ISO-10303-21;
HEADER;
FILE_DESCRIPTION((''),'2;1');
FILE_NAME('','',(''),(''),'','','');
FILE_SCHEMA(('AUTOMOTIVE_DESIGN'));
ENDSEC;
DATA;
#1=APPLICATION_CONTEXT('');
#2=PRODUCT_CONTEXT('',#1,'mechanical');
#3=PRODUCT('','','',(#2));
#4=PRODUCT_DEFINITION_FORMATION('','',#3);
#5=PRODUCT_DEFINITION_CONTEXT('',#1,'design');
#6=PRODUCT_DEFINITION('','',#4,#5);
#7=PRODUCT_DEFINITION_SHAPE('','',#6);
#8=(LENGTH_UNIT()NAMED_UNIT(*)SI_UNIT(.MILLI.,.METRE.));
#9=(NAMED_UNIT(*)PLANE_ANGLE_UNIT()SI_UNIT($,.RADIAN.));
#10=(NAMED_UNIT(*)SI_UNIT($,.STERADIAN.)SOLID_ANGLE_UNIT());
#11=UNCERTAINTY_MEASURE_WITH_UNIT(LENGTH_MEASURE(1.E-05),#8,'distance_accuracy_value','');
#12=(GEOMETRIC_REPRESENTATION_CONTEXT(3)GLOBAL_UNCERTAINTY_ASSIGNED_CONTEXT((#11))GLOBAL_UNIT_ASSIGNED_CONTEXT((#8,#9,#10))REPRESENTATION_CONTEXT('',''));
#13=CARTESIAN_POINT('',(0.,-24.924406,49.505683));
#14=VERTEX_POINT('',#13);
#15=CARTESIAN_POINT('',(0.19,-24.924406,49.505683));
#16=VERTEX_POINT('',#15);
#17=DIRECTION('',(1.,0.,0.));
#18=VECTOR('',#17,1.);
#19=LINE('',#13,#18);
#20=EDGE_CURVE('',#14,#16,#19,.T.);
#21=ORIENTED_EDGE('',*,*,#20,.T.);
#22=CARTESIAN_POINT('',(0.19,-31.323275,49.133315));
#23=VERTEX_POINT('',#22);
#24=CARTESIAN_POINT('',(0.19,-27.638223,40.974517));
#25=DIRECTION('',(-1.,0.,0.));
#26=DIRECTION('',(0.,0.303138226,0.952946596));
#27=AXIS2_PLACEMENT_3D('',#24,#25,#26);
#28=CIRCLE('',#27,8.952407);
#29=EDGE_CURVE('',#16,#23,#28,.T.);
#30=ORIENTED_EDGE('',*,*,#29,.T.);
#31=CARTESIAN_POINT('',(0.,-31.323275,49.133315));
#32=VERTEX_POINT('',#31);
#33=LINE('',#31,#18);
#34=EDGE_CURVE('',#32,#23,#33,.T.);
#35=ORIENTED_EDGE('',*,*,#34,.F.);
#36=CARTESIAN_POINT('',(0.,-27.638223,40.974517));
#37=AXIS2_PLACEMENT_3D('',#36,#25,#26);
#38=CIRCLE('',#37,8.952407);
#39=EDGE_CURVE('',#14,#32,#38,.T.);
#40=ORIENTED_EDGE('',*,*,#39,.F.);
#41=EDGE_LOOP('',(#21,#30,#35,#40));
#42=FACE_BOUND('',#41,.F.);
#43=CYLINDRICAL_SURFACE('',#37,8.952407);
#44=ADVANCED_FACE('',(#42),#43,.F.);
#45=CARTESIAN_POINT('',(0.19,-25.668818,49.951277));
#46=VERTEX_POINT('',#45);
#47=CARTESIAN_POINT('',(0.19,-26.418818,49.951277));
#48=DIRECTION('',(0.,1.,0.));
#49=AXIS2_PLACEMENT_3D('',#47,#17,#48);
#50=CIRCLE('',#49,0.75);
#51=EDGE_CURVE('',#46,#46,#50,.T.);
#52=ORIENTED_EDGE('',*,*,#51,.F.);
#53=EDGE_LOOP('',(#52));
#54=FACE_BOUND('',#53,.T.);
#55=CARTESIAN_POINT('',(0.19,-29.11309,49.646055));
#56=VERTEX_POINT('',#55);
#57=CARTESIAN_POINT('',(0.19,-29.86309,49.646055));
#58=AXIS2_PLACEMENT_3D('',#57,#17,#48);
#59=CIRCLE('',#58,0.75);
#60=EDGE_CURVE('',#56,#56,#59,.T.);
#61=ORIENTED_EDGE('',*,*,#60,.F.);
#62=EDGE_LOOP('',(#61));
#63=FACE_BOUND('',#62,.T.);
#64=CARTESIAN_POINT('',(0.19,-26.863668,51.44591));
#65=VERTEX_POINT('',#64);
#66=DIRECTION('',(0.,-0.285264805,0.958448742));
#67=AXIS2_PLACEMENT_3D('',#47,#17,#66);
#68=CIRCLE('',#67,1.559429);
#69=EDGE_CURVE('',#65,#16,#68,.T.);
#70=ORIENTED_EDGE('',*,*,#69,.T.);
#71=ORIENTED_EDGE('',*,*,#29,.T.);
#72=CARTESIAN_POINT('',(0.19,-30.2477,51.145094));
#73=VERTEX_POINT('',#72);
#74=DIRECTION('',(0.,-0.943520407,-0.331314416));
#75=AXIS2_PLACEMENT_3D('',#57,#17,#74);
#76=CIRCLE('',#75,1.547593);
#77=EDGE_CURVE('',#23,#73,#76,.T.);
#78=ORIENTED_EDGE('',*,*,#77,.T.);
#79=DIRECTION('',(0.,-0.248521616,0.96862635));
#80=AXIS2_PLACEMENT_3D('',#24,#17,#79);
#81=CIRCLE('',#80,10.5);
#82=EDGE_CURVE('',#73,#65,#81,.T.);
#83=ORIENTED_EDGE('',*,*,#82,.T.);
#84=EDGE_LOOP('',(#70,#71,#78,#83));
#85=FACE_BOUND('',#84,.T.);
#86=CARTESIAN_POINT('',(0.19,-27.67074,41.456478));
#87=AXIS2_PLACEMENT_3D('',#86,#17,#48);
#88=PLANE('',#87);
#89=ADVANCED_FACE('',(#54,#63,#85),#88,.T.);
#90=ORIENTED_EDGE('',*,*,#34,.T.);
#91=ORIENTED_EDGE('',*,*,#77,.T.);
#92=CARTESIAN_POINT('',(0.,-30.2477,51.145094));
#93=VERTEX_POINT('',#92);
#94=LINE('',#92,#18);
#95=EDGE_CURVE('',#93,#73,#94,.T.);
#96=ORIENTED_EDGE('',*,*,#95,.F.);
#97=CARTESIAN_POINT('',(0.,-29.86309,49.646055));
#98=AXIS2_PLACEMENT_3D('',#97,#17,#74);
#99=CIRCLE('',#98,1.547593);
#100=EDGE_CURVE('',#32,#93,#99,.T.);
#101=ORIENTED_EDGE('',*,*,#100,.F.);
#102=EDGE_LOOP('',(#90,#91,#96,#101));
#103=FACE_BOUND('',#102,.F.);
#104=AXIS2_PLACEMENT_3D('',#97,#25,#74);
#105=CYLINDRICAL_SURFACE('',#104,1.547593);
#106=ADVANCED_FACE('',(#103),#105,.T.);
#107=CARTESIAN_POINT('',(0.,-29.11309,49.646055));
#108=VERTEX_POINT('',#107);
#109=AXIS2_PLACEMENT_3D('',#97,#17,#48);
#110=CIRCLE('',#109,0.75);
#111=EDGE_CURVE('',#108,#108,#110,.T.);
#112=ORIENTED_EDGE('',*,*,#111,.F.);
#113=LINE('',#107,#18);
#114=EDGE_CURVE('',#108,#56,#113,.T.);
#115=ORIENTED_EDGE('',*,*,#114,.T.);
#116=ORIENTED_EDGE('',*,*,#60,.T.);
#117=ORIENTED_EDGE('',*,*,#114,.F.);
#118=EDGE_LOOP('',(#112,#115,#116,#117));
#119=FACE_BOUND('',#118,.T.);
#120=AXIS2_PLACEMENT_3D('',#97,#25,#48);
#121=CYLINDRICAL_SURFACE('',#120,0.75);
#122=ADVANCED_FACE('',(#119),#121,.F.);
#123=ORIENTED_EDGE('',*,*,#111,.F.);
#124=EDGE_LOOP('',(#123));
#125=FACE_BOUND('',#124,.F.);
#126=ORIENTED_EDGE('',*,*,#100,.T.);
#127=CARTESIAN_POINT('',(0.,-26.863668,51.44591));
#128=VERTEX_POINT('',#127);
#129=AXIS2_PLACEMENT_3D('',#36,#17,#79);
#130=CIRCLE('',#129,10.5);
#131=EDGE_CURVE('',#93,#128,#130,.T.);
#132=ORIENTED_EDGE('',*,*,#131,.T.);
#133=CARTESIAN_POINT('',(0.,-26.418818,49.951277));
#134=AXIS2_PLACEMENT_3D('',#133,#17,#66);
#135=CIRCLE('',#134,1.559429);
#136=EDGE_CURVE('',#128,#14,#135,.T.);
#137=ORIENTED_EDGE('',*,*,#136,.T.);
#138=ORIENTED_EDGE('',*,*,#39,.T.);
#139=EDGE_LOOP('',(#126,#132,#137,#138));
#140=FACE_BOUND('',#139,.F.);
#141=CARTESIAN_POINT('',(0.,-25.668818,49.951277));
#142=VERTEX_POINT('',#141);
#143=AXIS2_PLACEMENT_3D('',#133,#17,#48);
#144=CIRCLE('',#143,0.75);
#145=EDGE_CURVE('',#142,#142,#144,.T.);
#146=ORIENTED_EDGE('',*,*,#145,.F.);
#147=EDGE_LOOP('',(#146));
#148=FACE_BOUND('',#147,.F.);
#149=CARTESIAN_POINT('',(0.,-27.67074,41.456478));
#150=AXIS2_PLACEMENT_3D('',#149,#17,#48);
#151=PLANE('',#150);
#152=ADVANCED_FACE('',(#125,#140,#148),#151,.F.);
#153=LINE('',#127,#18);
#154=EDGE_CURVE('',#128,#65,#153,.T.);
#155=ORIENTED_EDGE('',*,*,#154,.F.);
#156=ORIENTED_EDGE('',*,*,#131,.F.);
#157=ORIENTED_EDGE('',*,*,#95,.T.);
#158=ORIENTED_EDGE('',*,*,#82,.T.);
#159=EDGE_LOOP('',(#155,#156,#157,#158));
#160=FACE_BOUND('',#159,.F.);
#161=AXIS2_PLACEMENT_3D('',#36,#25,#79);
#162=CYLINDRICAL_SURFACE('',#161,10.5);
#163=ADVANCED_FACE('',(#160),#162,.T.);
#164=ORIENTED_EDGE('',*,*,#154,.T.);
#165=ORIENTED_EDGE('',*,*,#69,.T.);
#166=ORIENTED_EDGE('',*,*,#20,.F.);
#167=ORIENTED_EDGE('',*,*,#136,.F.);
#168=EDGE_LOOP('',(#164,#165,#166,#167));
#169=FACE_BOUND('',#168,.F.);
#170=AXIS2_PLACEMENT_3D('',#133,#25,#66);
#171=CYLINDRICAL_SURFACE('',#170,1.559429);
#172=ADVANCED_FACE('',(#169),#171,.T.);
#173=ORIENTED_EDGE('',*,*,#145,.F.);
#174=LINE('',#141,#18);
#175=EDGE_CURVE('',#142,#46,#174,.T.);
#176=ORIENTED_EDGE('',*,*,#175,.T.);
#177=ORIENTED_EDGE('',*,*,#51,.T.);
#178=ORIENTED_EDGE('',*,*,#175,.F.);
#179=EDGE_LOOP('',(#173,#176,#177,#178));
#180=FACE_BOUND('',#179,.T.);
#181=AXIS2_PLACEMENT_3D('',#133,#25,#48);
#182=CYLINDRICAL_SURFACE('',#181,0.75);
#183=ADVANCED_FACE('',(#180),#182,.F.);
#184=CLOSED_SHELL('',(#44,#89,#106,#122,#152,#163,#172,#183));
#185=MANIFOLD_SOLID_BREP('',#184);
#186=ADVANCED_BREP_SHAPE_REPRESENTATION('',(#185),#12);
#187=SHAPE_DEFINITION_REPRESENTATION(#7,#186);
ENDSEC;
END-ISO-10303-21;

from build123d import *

# Parameters (mm, degrees)
F0_R     = 0.75
F1_DEPTH = 0.19


with BuildPart() as f1:
    # F0 (on Right) → F1 (new body)
    with BuildSketch(Plane.YZ):
        with BuildLine():
            ThreePointArc((-31.323275, 49.133315), (-28.498307, 48.916389), (-30.2477, 51.145094))
            ThreePointArc((-30.2477, 51.145094), (-26.708515, 30.515758), (-26.863668, 51.44591))
            ThreePointArc((-26.863668, 51.44591), (-27.521775, 48.848868), (-24.924406, 49.505683))
            ThreePointArc((-24.924406, 49.505683), (-27.118138, 32.03723), (-31.323275, 49.133315))
        make_face()
        with Locations((-29.86309, 49.646055)):
            Circle(F0_R, mode=Mode.SUBTRACT)
        with Locations((-26.418818, 49.951277)):
            Circle(F0_R, mode=Mode.SUBTRACT)
    extrude(amount=F1_DEPTH)


solid = f1.part
